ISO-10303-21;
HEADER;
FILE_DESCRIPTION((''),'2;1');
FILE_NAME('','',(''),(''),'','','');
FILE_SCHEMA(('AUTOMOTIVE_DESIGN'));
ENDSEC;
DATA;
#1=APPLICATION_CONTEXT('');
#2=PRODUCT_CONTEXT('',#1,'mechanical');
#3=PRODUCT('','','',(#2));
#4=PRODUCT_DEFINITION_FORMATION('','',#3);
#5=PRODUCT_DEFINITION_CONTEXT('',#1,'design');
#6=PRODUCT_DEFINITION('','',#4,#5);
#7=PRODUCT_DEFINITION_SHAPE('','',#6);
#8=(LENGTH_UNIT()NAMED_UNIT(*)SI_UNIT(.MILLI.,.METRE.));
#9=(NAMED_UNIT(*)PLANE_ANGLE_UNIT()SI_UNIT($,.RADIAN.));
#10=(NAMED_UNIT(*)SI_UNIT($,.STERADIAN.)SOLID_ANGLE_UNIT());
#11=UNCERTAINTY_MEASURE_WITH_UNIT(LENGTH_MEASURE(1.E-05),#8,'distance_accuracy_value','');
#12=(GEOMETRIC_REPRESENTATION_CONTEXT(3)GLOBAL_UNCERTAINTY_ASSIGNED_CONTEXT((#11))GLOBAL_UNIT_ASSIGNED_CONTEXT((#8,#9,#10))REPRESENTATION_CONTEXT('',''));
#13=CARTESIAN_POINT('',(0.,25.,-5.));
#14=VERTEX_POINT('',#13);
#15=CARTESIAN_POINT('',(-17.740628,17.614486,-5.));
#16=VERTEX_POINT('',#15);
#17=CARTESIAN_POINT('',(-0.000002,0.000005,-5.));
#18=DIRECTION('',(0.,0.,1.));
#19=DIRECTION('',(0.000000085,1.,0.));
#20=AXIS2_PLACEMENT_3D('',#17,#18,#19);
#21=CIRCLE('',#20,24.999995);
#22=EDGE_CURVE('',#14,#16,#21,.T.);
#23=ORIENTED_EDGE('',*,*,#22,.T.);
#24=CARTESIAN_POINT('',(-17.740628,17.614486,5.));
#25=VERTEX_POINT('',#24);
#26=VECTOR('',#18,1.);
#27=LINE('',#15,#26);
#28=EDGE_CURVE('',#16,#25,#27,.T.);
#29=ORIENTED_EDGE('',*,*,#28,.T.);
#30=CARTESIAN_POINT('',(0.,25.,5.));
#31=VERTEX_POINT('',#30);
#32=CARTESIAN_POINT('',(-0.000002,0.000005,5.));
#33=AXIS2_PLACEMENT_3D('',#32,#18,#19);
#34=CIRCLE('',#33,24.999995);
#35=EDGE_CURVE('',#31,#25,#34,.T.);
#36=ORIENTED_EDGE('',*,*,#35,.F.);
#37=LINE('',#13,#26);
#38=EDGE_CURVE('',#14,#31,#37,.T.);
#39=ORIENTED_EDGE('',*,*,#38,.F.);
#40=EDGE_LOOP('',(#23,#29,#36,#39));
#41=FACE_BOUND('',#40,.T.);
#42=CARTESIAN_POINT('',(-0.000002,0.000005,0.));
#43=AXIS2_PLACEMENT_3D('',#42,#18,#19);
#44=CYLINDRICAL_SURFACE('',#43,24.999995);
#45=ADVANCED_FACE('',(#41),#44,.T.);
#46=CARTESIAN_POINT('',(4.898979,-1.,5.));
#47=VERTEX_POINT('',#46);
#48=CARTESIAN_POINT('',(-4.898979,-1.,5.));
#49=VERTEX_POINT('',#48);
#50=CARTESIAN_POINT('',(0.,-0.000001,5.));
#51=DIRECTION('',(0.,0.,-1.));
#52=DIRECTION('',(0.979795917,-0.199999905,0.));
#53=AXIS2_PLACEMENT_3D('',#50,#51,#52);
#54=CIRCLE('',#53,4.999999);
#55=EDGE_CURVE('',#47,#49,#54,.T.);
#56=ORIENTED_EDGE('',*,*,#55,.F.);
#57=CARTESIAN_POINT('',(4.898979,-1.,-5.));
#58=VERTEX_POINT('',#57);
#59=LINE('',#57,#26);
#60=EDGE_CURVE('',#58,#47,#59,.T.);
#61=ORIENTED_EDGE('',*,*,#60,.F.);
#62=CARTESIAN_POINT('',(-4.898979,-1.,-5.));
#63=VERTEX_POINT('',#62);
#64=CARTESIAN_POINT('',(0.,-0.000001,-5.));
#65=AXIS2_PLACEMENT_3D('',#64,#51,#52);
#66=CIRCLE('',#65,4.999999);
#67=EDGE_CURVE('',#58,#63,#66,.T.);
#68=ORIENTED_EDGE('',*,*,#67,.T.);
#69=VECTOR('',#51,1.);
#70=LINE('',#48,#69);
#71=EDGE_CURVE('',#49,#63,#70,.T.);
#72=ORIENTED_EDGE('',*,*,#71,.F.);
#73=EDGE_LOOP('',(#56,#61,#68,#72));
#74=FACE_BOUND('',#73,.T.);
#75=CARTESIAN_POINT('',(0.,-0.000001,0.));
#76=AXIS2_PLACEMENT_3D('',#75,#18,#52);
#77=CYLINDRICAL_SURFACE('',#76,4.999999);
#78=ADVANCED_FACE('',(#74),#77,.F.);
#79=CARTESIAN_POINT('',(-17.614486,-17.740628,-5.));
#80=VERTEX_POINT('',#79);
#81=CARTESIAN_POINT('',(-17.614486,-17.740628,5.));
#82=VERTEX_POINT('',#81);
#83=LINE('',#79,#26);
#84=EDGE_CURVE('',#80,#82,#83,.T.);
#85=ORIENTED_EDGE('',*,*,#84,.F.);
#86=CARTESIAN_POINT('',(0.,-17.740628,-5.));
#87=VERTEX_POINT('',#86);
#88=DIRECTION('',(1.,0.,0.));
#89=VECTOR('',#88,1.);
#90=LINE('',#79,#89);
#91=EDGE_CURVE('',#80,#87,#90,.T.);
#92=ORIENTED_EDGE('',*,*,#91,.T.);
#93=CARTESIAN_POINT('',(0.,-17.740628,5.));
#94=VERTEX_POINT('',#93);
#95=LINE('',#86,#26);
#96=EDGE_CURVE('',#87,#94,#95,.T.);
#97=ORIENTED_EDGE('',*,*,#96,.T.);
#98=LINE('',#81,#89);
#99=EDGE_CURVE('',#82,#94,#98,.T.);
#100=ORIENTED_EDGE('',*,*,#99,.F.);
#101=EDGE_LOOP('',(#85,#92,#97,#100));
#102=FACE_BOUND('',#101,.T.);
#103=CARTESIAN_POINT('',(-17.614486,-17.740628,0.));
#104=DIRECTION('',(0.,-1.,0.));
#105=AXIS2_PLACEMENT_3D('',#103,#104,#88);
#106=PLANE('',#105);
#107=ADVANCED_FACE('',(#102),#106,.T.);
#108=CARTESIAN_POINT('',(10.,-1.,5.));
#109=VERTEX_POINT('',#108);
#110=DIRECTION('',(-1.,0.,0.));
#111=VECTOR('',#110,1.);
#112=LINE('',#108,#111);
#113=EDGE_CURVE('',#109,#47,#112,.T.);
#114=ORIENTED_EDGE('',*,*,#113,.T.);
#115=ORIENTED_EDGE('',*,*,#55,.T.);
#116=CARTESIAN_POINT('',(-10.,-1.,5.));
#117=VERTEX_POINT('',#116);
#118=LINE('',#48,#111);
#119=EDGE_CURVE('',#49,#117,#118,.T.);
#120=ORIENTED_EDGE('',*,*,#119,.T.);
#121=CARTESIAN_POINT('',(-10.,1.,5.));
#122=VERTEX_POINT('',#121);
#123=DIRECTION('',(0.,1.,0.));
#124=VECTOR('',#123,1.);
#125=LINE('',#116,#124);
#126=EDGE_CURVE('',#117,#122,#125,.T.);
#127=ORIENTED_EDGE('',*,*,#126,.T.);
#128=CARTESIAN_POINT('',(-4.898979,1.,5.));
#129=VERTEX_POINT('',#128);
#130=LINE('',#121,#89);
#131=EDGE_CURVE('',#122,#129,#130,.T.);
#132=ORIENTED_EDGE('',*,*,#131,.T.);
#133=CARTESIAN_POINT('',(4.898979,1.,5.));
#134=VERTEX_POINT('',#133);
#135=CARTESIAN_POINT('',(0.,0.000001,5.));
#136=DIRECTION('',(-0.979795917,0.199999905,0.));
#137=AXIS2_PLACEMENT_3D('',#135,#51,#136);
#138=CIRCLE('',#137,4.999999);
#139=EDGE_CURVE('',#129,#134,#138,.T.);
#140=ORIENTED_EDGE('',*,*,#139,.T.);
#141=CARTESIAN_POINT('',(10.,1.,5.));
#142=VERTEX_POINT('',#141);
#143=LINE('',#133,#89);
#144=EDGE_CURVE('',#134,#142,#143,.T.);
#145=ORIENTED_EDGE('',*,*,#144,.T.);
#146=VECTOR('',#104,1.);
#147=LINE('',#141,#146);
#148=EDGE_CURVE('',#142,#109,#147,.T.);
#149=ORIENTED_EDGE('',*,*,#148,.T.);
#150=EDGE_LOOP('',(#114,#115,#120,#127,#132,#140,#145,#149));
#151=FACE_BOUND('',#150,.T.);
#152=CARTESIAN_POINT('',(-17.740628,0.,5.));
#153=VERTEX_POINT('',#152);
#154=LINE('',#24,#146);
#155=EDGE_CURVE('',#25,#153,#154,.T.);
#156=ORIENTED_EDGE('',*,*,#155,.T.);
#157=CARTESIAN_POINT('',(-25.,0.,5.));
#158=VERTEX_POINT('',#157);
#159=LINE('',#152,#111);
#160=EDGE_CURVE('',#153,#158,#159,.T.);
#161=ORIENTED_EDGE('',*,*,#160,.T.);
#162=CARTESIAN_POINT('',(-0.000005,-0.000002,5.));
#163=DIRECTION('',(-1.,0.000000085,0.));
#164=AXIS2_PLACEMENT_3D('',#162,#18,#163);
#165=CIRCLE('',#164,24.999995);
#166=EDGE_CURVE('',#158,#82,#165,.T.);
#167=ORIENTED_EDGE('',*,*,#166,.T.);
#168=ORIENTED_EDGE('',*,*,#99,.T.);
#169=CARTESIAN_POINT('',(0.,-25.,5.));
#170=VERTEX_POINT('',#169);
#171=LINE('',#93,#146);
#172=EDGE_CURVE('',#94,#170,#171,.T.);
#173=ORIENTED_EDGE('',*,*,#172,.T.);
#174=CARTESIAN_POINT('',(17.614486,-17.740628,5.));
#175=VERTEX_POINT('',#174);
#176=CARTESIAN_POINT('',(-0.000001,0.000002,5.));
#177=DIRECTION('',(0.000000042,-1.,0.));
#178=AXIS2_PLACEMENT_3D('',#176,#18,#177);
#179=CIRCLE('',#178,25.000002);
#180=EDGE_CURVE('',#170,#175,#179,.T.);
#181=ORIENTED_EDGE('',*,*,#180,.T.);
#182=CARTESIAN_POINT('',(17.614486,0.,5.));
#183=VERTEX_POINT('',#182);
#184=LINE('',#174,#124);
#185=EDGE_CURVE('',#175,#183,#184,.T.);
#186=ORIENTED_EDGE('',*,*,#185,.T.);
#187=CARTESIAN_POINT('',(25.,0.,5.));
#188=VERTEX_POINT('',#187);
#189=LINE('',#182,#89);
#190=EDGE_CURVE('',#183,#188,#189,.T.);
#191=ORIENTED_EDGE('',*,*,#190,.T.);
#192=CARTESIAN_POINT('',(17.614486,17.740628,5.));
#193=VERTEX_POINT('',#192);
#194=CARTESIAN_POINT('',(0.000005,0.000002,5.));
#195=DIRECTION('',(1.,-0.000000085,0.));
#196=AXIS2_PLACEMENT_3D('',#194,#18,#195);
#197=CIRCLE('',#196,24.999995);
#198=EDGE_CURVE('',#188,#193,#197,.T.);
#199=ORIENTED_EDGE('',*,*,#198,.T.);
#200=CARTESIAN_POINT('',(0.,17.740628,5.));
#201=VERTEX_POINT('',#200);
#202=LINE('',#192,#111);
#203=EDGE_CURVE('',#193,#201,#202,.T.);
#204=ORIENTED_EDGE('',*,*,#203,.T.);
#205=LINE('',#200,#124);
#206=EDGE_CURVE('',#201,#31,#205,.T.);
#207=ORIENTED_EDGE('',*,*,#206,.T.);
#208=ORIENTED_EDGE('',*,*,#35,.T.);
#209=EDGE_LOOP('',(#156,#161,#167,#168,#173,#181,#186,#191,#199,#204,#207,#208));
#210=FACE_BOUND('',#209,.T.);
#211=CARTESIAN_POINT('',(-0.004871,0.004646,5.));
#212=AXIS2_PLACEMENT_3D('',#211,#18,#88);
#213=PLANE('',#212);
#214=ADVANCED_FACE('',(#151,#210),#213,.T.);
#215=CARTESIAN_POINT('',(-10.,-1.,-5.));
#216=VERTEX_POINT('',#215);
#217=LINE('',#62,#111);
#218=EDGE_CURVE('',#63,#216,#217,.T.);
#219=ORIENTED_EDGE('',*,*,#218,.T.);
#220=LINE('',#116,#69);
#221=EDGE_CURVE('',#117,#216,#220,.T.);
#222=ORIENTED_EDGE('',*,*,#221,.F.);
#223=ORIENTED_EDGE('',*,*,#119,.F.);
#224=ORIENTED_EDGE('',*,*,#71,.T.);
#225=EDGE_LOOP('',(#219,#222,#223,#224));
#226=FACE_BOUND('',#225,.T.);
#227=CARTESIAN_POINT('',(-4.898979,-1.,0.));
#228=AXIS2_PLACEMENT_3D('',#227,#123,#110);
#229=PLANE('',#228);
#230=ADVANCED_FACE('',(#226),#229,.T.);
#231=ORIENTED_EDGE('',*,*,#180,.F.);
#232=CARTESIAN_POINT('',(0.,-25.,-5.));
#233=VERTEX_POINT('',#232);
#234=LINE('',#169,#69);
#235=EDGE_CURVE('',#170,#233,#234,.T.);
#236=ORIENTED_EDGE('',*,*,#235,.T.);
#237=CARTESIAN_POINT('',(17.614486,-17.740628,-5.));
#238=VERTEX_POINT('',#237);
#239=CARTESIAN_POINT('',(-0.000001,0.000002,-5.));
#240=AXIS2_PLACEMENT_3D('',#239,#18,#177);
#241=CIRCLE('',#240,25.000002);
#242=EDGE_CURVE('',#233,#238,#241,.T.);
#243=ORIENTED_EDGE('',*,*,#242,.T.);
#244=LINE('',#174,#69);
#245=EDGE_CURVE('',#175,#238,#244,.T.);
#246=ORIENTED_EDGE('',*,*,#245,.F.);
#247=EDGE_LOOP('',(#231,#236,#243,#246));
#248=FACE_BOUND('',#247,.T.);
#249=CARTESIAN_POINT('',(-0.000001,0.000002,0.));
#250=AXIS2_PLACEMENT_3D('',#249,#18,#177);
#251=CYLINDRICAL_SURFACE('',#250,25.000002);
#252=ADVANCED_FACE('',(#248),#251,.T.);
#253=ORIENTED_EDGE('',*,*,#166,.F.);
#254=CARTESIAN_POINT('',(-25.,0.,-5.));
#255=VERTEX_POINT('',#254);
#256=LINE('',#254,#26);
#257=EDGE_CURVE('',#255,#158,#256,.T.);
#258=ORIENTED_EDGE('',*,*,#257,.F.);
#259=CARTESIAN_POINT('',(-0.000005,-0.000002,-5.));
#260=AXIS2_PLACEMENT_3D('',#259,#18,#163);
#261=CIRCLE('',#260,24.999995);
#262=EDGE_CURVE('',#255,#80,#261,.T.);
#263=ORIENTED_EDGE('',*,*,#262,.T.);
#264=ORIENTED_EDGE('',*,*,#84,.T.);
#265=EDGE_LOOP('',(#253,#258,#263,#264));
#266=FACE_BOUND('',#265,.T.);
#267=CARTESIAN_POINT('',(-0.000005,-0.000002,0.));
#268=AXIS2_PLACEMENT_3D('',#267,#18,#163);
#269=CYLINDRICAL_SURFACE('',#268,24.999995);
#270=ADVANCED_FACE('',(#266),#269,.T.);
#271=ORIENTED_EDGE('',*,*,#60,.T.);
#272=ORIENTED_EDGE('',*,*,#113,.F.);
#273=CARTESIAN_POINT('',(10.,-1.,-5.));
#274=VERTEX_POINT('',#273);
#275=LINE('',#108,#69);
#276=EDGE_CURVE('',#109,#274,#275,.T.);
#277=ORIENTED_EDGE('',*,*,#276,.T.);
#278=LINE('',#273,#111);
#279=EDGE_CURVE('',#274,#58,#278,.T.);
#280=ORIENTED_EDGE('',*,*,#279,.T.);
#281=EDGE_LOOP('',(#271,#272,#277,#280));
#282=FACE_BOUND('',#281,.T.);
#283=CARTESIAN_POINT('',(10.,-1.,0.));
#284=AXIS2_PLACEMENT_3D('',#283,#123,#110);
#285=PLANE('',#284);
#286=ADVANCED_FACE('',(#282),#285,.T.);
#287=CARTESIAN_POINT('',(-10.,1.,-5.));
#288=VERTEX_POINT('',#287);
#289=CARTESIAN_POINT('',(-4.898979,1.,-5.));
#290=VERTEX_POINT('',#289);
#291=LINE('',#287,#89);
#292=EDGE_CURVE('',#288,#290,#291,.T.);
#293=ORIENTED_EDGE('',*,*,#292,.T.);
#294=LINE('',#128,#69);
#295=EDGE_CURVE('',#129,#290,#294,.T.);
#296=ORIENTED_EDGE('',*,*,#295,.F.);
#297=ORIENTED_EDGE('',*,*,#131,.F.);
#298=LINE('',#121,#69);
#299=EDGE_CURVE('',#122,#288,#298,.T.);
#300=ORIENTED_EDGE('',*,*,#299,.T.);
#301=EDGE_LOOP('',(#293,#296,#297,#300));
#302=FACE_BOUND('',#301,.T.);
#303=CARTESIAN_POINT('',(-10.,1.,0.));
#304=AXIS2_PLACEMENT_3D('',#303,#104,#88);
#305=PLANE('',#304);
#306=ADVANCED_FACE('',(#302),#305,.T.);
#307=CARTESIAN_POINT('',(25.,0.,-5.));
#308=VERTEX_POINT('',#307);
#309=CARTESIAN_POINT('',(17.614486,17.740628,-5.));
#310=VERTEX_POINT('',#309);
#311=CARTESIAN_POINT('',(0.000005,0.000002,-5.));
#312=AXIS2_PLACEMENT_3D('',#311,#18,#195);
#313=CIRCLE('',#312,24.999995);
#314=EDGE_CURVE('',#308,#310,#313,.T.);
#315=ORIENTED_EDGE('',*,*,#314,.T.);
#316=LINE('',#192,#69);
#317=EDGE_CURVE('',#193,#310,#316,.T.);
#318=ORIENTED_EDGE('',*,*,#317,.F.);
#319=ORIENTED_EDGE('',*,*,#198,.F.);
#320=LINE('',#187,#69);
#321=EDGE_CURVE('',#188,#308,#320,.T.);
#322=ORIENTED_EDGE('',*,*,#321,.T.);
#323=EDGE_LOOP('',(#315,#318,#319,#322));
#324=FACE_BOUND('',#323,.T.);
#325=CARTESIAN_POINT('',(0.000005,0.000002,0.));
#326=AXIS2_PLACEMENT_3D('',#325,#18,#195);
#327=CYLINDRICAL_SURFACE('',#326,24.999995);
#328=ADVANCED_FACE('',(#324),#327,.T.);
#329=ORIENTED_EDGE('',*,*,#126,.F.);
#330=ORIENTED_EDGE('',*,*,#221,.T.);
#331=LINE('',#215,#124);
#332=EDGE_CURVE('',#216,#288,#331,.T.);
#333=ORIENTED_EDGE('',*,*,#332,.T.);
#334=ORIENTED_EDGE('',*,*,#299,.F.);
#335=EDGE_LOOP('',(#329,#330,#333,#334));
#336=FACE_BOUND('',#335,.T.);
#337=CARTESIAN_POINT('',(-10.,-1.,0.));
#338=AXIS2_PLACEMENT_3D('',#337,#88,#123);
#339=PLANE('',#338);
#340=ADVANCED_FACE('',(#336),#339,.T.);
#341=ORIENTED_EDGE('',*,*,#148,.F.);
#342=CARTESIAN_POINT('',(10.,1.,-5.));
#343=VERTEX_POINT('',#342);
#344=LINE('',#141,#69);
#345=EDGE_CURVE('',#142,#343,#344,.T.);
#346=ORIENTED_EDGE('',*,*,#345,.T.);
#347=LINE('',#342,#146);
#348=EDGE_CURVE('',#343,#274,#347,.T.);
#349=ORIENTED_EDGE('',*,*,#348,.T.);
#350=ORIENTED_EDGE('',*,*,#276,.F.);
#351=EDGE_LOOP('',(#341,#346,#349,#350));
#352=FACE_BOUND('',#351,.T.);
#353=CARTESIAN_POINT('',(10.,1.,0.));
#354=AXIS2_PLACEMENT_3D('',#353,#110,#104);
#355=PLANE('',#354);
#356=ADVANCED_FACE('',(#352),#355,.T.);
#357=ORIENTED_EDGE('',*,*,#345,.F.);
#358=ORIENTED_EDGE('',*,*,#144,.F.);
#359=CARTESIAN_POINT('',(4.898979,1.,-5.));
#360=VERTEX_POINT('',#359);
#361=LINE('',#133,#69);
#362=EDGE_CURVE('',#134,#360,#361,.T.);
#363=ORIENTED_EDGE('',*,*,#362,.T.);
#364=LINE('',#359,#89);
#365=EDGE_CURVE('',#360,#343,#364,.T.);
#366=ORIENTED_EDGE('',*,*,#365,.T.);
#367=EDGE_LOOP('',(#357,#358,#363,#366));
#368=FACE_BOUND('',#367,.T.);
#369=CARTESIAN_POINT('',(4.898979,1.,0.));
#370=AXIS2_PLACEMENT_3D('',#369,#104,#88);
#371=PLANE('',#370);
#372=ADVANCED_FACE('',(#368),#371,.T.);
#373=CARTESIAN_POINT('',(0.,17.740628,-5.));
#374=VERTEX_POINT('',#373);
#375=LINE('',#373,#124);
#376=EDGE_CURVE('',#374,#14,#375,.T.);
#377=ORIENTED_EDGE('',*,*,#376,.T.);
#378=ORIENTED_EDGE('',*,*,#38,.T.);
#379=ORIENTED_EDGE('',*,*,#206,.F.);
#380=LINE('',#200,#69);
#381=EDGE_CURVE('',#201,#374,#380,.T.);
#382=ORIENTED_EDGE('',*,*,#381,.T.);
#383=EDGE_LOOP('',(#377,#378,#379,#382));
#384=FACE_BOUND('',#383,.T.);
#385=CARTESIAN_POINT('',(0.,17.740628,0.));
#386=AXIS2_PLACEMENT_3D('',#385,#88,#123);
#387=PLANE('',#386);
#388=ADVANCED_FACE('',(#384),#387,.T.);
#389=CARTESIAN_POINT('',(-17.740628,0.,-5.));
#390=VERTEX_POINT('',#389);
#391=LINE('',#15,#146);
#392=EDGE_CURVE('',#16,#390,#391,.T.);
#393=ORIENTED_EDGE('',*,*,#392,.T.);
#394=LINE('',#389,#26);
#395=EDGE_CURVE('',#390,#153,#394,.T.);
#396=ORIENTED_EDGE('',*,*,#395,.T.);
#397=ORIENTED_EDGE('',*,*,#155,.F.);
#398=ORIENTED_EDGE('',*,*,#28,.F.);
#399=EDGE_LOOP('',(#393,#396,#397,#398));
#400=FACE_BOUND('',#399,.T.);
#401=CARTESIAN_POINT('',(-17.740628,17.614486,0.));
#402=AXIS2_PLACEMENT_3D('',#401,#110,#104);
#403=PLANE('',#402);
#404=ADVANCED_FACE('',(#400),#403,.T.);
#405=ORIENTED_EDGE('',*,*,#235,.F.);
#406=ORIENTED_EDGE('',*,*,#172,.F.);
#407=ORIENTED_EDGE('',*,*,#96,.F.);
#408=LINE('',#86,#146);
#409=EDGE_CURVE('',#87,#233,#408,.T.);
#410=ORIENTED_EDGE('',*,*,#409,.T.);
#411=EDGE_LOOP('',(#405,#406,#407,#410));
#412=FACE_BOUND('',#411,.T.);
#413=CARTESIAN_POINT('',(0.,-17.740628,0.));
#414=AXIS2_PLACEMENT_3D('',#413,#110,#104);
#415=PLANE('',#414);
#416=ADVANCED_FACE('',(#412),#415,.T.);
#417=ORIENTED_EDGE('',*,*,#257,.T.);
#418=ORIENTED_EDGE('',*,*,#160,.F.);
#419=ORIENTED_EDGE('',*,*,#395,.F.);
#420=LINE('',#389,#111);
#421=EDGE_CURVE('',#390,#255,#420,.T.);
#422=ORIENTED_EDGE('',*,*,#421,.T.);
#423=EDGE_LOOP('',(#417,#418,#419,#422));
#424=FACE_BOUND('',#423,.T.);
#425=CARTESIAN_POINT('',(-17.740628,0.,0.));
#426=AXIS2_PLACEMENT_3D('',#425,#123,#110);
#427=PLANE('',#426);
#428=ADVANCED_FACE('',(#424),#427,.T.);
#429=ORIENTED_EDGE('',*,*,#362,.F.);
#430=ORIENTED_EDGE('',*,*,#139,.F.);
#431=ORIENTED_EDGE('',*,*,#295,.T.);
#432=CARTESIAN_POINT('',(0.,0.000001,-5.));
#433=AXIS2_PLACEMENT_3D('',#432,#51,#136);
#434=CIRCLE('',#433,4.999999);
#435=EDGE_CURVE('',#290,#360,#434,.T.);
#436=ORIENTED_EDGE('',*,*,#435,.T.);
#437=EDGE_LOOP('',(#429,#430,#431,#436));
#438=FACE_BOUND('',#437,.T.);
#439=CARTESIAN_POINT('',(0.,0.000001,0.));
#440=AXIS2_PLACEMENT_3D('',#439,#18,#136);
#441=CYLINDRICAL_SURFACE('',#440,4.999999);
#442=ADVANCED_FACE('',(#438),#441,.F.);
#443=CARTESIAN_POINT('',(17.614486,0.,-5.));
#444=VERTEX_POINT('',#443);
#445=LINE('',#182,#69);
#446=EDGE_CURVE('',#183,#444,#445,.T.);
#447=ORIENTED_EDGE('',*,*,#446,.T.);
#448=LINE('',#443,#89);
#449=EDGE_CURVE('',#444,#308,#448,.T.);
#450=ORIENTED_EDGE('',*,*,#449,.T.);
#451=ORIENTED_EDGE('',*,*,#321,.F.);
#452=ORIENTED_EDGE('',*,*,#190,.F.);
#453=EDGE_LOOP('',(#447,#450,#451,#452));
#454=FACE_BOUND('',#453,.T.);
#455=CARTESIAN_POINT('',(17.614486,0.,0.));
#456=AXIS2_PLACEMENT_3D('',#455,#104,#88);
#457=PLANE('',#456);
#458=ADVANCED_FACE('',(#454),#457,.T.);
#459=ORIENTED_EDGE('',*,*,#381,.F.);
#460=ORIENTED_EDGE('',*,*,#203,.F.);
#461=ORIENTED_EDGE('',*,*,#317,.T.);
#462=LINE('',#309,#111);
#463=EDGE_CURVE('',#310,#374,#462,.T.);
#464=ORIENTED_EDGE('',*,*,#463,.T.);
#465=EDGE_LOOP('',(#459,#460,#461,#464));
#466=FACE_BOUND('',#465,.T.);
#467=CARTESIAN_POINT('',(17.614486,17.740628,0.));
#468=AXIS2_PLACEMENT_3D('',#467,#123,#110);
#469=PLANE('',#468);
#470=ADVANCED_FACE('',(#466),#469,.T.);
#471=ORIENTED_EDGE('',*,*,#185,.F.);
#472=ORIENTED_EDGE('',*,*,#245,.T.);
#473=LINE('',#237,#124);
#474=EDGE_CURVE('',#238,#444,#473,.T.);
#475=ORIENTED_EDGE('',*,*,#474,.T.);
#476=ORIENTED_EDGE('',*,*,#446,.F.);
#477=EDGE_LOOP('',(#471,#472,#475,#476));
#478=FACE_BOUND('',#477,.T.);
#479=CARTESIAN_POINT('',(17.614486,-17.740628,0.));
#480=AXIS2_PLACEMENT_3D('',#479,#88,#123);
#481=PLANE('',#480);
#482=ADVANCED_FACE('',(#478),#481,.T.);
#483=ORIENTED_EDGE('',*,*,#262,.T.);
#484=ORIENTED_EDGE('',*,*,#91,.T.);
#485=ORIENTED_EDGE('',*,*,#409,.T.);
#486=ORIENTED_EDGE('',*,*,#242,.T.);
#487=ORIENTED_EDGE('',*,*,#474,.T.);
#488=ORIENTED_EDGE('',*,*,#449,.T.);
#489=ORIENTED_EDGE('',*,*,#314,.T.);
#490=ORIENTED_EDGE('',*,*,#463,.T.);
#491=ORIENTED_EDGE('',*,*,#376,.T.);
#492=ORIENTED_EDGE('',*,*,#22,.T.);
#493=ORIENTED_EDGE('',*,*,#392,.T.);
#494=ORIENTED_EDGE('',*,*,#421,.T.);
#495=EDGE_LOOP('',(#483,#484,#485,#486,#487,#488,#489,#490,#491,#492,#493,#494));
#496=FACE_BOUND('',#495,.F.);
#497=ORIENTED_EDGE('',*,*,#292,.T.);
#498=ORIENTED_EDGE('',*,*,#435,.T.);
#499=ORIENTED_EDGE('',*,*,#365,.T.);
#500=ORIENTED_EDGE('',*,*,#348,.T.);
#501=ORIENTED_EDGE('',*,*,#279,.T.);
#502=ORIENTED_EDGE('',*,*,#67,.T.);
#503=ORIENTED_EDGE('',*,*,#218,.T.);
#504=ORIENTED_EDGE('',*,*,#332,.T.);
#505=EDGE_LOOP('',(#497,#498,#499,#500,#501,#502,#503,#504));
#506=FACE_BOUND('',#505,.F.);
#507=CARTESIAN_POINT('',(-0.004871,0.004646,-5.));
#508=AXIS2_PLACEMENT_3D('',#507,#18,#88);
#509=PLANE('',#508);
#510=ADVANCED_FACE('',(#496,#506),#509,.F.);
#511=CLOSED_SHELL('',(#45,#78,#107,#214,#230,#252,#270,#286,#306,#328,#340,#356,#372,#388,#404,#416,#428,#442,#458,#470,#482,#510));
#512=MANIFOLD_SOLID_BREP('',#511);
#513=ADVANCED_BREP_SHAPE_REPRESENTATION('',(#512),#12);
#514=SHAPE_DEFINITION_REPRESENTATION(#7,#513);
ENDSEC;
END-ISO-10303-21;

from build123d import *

# Parameters (mm, degrees)
F1_DEPTH = 5


with BuildPart() as f1:
    # F0 (on Top) → F1 (new body, symmetric)
    with BuildSketch(Plane.XY):
        with BuildLine():
            Line((0, 17.740628), (0, 25))
            ThreePointArc((0, 25), (-9.608274, 23.079885), (-17.740628, 17.614486))
            Line((-17.740628, 17.614486), (-17.740628, 0))
            Line((-17.740628, 0), (-25, 0))
            ThreePointArc((-25, 0), (-23.079885, -9.608274), (-17.614486, -17.740628))
            Line((-17.614486, -17.740628), (0, -17.740628))
            Line((0, -17.740628), (0, -25))
            ThreePointArc((0, -25), (9.525868, -23.114018), (17.614486, -17.740628))
            Line((17.614486, -17.740628), (17.614486, 0))
            Line((17.614486, 0), (25, 0))
            ThreePointArc((25, 0), (23.079885, 9.608274), (17.614486, 17.740628))
            Line((17.614486, 17.740628), (0, 17.740628))
        make_face()
        with BuildLine():
            ThreePointArc((4.898979, -1), (0, -5), (-4.898979, -1))
            Line((-4.898979, -1), (-10, -1))
            Line((-10, -1), (-10, 1))
            Line((-10, 1), (-4.898979, 1))
            ThreePointArc((-4.898979, 1), (0, 5), (4.898979, 1))
            Line((4.898979, 1), (10, 1))
            Line((10, 1), (10, -1))
            Line((10, -1), (4.898979, -1))
        make_face(mode=Mode.SUBTRACT)
    extrude(amount=F1_DEPTH, both=True)


solid = f1.part
